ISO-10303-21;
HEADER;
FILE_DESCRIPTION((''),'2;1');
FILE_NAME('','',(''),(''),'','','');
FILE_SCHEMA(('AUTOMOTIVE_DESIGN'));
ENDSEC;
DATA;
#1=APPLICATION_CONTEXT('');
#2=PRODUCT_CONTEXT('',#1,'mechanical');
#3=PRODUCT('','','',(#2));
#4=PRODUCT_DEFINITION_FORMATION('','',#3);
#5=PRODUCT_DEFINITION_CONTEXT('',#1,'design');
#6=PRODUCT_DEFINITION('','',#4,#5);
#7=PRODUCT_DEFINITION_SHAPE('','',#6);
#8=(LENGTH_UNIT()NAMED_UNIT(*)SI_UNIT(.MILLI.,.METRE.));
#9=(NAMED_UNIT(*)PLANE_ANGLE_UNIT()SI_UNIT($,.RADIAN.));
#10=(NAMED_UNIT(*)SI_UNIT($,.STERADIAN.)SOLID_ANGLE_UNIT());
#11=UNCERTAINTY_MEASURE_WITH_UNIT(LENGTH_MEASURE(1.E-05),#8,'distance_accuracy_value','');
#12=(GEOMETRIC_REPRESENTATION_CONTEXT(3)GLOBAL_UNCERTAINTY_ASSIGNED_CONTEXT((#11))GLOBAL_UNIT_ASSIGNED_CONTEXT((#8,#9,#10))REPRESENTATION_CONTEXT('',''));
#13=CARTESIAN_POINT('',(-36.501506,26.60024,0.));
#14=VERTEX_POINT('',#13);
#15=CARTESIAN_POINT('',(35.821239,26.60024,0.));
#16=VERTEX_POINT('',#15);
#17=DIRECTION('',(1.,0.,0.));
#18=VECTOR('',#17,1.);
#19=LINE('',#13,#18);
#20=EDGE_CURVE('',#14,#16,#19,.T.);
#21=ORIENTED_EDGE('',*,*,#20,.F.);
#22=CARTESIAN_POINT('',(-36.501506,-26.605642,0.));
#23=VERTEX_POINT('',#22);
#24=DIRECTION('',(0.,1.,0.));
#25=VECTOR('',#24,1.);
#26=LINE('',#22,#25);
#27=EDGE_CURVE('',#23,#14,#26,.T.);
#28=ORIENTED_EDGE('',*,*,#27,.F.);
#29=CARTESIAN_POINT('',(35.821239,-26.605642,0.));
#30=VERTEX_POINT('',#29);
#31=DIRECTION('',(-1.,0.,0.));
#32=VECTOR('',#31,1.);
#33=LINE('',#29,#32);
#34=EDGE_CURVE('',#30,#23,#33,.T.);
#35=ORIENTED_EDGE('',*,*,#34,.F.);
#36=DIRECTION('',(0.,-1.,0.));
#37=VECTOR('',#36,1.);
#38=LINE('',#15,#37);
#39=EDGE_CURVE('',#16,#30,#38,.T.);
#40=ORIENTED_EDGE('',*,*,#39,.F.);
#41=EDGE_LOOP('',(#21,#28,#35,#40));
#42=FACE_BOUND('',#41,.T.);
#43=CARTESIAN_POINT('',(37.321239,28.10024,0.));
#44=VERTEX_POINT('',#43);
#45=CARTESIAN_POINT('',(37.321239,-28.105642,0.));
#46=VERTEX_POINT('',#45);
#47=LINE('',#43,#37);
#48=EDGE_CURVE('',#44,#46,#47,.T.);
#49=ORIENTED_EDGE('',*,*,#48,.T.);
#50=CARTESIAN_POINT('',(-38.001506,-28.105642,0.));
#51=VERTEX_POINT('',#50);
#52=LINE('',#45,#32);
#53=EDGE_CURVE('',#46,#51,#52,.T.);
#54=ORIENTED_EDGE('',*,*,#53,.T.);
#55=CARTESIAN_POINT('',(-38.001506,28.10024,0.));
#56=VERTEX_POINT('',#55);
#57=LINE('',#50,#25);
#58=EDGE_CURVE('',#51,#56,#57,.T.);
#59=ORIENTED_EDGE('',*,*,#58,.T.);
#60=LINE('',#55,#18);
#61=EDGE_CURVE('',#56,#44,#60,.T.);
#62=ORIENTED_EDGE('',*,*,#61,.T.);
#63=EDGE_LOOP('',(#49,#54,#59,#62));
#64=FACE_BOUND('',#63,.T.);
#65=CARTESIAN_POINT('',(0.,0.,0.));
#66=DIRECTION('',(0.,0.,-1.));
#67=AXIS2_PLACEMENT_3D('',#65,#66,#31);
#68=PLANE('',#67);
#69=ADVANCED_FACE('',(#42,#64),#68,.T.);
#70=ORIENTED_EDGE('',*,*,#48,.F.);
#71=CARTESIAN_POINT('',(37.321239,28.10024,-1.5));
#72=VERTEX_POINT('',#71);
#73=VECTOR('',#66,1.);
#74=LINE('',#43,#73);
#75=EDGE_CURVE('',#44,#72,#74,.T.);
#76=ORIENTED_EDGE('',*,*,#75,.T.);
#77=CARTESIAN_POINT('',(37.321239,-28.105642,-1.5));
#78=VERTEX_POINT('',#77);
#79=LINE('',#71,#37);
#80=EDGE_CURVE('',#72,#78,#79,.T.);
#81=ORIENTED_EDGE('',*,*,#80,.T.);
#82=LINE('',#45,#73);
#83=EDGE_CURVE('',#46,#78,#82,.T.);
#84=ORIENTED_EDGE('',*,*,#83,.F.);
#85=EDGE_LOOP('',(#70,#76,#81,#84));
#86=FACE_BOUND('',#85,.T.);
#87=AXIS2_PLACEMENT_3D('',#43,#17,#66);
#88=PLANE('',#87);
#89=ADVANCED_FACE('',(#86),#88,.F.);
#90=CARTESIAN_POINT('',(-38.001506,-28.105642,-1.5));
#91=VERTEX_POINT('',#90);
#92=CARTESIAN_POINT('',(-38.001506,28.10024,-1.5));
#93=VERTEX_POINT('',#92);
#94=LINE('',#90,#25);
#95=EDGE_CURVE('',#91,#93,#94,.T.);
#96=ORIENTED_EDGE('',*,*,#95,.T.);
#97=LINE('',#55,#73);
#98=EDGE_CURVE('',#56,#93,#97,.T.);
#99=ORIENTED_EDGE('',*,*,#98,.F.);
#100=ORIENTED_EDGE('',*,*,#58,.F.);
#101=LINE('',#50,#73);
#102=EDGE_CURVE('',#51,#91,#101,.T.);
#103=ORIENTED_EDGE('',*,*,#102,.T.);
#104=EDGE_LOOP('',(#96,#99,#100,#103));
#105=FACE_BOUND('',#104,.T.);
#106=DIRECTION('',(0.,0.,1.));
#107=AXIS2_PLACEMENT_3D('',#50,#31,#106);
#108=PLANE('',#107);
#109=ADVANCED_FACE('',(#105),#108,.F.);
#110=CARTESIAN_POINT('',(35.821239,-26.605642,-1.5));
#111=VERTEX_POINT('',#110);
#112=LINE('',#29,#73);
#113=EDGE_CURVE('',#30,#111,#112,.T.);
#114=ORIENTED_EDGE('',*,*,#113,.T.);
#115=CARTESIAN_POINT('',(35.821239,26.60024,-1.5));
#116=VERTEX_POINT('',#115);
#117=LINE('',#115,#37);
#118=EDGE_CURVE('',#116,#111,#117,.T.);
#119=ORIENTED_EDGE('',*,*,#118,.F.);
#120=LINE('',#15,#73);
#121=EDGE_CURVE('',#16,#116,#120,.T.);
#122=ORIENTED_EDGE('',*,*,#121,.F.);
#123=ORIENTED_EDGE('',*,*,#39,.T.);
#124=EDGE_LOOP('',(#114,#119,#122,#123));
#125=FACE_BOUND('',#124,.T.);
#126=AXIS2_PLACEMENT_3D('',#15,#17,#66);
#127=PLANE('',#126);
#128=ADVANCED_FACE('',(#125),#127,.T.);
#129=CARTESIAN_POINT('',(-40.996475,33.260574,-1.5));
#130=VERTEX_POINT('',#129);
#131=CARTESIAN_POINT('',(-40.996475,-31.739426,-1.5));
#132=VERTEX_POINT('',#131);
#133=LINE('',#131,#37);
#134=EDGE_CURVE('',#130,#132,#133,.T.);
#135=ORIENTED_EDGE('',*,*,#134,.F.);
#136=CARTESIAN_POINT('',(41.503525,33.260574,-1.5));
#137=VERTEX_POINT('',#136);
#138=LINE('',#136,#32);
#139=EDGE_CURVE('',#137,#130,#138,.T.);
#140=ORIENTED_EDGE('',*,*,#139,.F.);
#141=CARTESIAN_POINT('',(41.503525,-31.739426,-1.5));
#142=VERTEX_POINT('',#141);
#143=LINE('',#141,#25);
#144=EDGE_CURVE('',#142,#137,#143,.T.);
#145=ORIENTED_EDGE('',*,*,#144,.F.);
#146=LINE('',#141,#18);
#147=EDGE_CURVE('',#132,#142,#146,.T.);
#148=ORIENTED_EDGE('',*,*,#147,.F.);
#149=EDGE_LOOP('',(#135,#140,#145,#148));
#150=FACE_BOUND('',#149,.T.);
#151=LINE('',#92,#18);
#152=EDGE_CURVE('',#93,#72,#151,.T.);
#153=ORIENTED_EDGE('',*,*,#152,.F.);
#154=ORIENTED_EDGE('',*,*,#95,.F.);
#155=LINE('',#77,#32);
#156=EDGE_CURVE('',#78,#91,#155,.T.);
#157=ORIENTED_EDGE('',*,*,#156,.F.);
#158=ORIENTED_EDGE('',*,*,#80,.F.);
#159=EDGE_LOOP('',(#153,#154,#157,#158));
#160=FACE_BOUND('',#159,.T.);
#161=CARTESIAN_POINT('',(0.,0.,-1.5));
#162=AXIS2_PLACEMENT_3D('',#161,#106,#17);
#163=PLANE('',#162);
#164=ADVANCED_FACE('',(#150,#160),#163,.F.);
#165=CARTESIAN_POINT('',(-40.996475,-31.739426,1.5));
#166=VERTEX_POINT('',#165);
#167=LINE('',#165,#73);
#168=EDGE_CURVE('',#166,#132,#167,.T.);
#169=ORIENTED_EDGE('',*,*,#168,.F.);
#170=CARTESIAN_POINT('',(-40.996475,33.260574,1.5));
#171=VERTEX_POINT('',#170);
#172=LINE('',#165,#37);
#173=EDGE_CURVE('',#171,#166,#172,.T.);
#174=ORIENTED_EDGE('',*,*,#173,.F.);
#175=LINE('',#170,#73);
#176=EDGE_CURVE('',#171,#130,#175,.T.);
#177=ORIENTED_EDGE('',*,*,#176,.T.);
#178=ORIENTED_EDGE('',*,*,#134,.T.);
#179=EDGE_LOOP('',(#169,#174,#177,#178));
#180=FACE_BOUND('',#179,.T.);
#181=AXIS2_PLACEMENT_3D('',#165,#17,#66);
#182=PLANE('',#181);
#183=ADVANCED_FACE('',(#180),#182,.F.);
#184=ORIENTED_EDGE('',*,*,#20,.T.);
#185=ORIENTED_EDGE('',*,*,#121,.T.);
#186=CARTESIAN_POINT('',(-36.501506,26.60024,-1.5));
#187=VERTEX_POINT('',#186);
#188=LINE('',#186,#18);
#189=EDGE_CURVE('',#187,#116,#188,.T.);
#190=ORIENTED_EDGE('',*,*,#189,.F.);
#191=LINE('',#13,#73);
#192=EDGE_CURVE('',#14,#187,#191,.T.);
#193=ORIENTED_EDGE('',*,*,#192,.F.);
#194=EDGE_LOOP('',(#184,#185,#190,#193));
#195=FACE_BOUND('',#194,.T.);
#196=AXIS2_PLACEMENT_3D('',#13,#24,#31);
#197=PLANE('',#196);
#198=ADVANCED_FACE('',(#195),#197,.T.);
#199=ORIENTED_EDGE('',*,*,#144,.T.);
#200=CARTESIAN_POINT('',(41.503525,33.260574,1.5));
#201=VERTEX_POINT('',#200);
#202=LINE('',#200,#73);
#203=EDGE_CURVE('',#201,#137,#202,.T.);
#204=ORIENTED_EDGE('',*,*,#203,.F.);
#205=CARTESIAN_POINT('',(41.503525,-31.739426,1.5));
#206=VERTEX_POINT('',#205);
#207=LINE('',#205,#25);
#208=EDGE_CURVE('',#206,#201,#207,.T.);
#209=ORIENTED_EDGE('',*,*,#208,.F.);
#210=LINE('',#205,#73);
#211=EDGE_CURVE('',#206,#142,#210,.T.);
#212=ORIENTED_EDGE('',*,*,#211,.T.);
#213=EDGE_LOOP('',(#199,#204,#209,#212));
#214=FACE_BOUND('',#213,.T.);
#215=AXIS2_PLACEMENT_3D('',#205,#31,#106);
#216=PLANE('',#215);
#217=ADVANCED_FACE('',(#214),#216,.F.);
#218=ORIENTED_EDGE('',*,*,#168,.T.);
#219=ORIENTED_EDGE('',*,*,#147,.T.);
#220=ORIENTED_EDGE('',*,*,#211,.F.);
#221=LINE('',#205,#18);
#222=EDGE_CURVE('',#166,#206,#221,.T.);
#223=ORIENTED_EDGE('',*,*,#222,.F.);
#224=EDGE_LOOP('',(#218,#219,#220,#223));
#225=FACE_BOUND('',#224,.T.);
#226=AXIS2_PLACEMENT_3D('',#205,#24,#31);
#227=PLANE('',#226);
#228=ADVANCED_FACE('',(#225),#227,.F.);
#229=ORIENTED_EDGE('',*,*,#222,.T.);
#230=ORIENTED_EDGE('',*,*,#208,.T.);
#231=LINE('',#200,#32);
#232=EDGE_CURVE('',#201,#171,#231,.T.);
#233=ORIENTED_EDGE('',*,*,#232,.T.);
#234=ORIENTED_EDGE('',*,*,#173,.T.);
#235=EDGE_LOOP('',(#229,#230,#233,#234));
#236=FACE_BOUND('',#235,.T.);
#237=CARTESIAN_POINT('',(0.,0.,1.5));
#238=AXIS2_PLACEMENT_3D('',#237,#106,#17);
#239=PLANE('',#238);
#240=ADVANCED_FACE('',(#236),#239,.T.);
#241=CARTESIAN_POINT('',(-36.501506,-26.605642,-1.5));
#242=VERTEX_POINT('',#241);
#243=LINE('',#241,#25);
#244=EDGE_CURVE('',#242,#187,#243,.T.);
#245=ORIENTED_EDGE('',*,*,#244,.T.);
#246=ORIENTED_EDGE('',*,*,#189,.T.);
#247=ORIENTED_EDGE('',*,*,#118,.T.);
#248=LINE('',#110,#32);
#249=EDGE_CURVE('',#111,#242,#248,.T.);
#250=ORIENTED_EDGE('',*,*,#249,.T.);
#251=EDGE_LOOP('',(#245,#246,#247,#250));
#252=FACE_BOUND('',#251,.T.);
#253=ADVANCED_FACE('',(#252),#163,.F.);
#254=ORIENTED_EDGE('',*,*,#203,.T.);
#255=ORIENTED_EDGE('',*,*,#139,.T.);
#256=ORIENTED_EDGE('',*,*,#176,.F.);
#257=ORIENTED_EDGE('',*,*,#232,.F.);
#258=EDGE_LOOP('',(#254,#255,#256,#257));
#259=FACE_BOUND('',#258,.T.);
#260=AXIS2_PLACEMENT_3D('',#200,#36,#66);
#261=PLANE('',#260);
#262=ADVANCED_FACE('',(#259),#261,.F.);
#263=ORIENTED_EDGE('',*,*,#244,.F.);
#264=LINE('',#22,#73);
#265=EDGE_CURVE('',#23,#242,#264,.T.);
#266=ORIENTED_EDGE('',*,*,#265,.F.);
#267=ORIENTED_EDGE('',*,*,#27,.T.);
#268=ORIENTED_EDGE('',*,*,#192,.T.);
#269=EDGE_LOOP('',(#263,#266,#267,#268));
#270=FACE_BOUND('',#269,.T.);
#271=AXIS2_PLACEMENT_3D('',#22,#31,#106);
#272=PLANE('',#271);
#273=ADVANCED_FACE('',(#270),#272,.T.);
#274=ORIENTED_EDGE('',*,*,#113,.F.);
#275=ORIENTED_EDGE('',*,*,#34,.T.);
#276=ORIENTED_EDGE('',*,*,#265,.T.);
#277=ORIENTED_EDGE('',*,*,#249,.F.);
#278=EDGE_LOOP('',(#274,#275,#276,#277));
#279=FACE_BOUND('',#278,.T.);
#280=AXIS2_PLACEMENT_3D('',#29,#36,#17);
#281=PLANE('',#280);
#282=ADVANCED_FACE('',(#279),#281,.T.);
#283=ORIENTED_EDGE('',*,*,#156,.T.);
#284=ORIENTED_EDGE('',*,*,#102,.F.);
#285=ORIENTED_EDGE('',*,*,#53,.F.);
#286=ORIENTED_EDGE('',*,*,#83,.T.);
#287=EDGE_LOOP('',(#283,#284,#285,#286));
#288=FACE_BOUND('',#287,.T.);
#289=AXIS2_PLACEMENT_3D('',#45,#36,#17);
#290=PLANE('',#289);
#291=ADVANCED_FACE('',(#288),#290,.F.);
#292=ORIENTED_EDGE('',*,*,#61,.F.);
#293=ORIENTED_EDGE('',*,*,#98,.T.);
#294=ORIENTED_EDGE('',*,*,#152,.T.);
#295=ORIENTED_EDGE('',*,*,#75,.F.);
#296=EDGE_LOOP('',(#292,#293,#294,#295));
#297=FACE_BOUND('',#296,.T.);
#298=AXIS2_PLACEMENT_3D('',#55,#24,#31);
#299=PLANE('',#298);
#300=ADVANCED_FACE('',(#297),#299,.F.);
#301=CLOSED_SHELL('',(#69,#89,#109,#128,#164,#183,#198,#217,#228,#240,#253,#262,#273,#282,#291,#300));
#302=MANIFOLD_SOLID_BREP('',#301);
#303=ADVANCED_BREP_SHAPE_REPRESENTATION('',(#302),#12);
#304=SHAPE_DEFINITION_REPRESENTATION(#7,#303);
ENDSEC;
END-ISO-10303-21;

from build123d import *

# Parameters (mm, degrees)
SKETCH1_W           = 82.5
SKETCH1_H           = 65
BOSS_EXTRUDE1_DEPTH = 1.5
SKETCH2_W           = 75.322744119
SKETCH2_H           = 56.205881557
SKETCH2_W_2         = 72.322744119
SKETCH2_H_2         = 53.205881557
CUT_EXTRUDE1_DEPTH  = 1.5


with BuildPart() as part:
    # Sketch1 → Boss-Extrude1 (new, symmetric)
    with BuildSketch(Plane.XY):
        with Locations((0.253524641, 0.760573924)):
            Rectangle(SKETCH1_W, SKETCH1_H)
    extrude(amount=BOSS_EXTRUDE1_DEPTH, both=True)

    # Sketch2 → Cut-Extrude1 (cut)
    with BuildSketch(Plane(origin=(0, 0, -1.5), x_dir=(-1, 0, 0), z_dir=(0, 0, -1))):
        with Locations((0.340133491, -0.002700818)):
            Rectangle(SKETCH2_W, SKETCH2_H)
        with Locations((0.340133491, -0.002700818)):
            Rectangle(SKETCH2_W_2, SKETCH2_H_2, mode=Mode.SUBTRACT)
    extrude(amount=-CUT_EXTRUDE1_DEPTH, mode=Mode.SUBTRACT)


solid = part.part
